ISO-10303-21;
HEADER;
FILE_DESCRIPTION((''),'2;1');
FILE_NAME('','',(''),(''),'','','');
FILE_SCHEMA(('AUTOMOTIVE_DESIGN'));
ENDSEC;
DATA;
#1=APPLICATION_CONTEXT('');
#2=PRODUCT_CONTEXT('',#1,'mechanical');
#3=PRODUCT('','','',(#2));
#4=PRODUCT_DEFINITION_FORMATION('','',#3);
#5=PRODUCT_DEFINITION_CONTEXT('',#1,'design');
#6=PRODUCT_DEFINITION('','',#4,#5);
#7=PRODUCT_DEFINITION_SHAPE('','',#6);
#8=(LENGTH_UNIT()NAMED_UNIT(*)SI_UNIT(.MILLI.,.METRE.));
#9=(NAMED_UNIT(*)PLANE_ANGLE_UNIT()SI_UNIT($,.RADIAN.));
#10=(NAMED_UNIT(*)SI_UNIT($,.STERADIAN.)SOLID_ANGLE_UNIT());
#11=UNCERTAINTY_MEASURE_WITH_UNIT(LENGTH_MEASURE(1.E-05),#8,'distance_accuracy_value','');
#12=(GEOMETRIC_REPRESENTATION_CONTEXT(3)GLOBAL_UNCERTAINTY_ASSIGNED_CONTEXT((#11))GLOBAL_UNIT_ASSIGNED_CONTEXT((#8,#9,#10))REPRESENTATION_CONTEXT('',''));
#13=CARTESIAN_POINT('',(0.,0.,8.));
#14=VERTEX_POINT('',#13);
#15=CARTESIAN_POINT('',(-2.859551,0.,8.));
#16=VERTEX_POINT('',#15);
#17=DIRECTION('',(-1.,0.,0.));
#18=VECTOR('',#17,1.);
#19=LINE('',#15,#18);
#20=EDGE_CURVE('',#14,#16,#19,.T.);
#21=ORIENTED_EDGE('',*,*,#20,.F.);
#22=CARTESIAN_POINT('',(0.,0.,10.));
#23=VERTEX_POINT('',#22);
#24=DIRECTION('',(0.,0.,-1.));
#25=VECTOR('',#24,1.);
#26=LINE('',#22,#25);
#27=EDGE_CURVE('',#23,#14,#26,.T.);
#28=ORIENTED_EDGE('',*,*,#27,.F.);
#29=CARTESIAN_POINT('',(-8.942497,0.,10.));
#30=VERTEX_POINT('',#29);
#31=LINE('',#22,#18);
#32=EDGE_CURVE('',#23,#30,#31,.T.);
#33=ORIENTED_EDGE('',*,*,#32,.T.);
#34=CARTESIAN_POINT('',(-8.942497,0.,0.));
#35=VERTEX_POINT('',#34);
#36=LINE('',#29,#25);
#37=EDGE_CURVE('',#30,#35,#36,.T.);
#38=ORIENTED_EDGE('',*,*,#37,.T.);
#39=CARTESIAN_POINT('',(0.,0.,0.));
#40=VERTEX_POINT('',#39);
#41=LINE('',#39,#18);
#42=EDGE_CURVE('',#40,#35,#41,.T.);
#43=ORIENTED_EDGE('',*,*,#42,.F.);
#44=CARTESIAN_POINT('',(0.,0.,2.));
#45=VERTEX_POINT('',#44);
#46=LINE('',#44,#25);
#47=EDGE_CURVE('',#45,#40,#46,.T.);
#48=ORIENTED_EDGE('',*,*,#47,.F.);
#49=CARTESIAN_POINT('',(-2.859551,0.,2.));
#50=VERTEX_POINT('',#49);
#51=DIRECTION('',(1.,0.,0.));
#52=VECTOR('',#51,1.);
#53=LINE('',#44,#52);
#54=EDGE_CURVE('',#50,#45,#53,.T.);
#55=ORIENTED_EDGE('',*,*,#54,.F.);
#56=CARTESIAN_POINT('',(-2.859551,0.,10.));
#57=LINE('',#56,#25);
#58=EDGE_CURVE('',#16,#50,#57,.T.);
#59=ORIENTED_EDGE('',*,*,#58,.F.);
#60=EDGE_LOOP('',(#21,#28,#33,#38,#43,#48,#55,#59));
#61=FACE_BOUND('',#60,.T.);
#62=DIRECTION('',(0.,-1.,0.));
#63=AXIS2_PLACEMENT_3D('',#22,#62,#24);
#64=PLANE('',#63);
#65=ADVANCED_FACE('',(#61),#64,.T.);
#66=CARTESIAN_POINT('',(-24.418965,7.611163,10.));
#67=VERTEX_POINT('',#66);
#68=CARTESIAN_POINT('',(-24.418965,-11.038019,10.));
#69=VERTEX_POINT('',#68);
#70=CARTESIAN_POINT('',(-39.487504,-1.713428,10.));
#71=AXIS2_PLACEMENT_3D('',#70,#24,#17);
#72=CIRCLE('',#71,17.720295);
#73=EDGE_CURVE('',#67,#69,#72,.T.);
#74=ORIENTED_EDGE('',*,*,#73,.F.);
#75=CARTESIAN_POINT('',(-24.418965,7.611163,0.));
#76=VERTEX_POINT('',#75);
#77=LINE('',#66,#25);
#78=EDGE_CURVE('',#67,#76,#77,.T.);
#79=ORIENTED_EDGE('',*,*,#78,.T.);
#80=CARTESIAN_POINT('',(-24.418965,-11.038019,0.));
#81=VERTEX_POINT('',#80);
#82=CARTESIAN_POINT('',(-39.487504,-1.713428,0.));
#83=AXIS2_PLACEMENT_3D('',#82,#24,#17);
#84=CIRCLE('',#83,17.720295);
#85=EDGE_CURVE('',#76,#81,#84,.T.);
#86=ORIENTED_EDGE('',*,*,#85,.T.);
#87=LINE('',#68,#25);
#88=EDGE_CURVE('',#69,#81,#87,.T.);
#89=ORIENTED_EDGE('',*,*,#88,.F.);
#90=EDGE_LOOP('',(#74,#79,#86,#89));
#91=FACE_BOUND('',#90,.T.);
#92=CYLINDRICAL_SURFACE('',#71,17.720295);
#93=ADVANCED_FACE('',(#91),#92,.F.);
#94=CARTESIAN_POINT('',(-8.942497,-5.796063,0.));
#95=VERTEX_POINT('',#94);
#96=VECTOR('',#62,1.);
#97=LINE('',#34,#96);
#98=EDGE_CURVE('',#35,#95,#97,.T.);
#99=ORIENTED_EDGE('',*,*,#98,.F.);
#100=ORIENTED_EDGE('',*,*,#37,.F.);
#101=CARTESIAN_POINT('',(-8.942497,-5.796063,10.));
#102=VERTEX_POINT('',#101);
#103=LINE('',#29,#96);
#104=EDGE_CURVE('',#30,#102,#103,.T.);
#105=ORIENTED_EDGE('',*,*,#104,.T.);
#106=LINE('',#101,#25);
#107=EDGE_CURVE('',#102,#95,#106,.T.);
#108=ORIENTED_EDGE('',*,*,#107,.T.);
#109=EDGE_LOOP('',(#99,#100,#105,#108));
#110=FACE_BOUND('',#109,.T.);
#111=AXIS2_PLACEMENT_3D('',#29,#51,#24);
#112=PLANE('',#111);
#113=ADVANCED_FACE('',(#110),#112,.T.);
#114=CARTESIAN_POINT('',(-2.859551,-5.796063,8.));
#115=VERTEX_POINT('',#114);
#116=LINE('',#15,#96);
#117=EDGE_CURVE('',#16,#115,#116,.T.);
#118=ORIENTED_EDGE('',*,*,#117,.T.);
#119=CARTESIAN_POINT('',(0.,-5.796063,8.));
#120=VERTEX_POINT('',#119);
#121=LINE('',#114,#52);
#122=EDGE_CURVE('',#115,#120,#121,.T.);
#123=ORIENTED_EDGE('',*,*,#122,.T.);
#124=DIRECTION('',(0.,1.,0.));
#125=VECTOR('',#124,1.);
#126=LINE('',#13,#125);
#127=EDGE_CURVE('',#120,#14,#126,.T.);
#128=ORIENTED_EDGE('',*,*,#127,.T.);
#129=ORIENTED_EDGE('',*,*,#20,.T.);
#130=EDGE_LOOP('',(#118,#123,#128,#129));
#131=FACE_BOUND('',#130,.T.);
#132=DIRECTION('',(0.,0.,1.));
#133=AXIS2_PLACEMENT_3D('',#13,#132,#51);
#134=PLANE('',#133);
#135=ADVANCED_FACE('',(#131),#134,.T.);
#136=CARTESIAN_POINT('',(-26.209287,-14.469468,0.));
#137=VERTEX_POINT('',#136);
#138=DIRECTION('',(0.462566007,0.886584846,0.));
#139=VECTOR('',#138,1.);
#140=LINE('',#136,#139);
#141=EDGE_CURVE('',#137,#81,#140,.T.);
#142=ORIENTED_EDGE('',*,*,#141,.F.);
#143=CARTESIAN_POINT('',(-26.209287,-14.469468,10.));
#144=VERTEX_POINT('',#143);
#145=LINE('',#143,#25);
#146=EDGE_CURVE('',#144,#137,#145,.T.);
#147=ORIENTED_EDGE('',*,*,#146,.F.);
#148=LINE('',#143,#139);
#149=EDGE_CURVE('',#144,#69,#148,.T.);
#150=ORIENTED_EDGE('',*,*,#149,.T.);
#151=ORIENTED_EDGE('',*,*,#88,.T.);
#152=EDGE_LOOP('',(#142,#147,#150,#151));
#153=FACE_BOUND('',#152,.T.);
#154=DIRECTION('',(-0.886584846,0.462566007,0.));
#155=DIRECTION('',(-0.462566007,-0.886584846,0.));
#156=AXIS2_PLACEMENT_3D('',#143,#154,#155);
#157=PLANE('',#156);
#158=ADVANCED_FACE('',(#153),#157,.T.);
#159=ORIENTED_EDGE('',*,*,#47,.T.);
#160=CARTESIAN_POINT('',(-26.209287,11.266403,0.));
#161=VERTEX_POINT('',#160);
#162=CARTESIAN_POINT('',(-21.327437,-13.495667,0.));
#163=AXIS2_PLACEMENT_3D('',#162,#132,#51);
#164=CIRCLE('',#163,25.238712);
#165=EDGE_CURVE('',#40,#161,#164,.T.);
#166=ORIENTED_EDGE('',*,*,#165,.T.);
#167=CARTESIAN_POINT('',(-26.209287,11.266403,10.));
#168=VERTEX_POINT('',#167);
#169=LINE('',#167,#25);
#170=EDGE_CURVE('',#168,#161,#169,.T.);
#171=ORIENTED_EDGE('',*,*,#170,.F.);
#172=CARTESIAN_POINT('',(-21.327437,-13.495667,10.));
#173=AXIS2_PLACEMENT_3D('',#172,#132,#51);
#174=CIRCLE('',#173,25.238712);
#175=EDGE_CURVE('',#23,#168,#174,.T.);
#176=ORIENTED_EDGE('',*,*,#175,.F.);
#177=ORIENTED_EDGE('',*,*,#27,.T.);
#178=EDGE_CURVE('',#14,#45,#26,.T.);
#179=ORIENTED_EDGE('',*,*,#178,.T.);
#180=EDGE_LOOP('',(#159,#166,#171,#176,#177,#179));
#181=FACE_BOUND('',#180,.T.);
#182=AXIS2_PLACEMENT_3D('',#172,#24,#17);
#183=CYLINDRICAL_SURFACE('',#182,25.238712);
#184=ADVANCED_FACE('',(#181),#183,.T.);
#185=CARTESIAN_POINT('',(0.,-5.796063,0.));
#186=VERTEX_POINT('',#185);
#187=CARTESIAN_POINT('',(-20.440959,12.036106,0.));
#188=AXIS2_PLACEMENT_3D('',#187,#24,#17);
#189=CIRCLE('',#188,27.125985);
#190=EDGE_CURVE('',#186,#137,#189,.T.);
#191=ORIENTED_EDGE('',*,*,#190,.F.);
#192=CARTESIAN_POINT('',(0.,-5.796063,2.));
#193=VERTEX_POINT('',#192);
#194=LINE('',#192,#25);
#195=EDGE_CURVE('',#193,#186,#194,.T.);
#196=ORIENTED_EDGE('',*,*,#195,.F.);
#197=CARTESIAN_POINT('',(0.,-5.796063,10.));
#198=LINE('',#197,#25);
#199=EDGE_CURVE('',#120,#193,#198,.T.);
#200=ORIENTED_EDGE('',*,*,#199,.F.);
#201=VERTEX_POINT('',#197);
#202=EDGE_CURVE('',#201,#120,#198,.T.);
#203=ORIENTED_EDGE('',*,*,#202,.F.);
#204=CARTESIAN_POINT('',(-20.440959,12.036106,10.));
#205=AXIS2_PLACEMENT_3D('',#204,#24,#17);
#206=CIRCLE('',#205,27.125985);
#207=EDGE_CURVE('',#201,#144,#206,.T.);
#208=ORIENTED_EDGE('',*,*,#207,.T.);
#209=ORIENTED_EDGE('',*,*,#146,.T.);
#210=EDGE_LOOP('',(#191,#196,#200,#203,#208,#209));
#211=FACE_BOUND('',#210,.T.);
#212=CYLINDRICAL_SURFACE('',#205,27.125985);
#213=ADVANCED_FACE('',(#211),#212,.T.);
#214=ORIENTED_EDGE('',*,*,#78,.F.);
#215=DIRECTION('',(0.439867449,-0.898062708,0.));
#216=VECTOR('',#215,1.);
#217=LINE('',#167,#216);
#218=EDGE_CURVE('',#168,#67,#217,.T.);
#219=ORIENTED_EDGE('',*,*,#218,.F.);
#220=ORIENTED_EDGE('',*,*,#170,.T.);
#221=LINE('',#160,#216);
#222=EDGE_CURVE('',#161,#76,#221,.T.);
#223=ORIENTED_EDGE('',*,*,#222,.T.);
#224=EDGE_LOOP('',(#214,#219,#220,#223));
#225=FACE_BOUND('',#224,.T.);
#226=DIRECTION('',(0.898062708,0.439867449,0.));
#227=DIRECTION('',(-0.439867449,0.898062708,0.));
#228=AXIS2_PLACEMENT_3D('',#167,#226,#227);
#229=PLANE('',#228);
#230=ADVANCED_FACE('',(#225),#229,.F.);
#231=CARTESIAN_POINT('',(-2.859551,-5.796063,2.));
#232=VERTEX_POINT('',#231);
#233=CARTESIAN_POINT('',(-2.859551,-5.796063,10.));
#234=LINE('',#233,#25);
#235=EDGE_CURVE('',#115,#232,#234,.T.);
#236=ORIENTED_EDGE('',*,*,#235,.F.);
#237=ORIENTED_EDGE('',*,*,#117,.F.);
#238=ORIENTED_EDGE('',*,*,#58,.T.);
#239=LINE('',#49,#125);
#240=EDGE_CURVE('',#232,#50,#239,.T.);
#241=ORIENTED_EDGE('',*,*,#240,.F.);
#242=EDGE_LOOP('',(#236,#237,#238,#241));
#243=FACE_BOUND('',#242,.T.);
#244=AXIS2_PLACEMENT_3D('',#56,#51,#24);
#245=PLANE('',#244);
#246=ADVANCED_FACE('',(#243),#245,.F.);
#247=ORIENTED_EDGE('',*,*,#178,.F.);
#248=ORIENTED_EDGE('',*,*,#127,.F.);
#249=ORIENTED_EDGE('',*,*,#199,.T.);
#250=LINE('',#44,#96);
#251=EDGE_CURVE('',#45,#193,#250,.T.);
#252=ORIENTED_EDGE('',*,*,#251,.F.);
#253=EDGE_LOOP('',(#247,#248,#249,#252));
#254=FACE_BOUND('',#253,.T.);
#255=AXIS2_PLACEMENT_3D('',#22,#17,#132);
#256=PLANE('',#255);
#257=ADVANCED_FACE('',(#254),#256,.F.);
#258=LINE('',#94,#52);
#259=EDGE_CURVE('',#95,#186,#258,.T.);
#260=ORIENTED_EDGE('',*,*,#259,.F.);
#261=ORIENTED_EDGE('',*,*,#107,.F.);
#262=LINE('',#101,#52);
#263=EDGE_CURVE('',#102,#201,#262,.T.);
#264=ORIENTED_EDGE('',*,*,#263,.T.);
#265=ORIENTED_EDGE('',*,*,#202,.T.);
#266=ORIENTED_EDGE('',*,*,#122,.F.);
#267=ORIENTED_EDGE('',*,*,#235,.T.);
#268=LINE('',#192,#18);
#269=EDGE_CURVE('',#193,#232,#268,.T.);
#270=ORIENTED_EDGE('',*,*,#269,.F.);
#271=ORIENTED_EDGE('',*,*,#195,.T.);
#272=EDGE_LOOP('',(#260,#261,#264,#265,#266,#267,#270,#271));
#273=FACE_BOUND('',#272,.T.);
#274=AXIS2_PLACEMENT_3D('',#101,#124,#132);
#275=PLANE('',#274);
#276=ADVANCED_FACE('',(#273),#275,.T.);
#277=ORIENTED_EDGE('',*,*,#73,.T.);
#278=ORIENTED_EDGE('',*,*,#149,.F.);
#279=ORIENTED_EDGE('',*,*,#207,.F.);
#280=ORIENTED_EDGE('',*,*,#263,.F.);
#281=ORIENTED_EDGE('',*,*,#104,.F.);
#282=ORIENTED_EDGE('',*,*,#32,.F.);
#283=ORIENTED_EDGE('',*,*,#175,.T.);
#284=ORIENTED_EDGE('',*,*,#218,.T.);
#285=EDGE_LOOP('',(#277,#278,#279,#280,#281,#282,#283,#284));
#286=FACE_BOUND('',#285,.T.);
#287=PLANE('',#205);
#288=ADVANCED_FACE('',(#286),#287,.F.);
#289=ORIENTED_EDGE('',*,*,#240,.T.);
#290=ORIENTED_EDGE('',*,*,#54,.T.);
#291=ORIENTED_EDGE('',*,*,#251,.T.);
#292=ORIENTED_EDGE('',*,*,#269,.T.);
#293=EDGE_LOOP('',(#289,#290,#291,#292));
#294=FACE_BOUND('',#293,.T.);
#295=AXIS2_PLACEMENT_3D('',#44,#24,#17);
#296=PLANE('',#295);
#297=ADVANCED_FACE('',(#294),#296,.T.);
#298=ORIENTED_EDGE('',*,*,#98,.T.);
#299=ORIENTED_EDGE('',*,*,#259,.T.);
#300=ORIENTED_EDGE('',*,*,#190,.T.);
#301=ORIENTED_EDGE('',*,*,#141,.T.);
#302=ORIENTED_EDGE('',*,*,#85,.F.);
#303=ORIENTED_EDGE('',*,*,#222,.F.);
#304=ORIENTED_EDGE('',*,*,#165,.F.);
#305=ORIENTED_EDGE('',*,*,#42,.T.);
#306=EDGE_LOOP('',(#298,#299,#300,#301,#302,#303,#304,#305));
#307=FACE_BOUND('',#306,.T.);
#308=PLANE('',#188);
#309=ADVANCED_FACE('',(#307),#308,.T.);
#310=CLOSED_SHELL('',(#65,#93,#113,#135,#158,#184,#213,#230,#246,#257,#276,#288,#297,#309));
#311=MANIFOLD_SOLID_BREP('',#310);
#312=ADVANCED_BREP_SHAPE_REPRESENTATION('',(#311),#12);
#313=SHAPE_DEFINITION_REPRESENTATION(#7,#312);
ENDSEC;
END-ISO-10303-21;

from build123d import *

# Parameters (mm, degrees)
EXTRUDE_1_DEPTH     = 10
SKETCH_2_W          = 2.859550618
SKETCH_2_H          = 5.796062829
EXTRUDE_2_DEPTH     = 10
SKETCH_11_W         = 2.859550618
SKETCH_11_H         = 5.796062829
CUT_EXTRUDE_8_DEPTH = 2
SKETCH_12_W         = 2.859550618
SKETCH_12_H         = 5.796062829
CUT_EXTRUDE_9_DEPTH = 2


with BuildPart() as part:
    # 草圖1 → 填料-伸長1 (new body)
    with BuildSketch(Plane.XY):
        with BuildLine():
            Line((0, 0), (-8.942496936, 0))
            Line((-8.942496936, 0), (-8.942496936, -5.796062829))
            Line((-8.942496936, -5.796062829), (0, -5.796062829))
            ThreePointArc((0, -5.796062829), (-11.918722494, -13.716380039), (-26.209286831, -14.469468031))
            Line((-26.209286831, -14.469468031), (-24.418965375, -11.038018573))
            ThreePointArc((-24.418965375, -11.038018573), (-21.767209123, -1.713427654), (-24.418965375, 7.611163265))
            Line((-24.418965375, 7.611163265), (-26.209286831, 11.266402905))
            ThreePointArc((-26.209286831, 11.266402905), (-11.360125695, 9.691512317), (0, 0))
        make_face()
    extrude(amount=EXTRUDE_1_DEPTH)

    # 草圖2 → 填料-伸長2 (add)
    with BuildSketch(Plane.XY):
        with Locations((-1.429775309, -2.898031415)):
            Rectangle(SKETCH_2_W, SKETCH_2_H)
    extrude(amount=EXTRUDE_2_DEPTH)

    # 草圖11 → 除料-伸長8 (cut)
    with BuildSketch(Plane.XY.offset(10)):
        with Locations((-1.429775309, -2.898031415)):
            Rectangle(SKETCH_11_W, SKETCH_11_H)
    extrude(amount=-CUT_EXTRUDE_8_DEPTH, mode=Mode.SUBTRACT)

    # 草圖12 → 除料-伸長9 (cut)
    with BuildSketch(Plane(origin=(0, 0, 0), x_dir=(-1, 0, 0), z_dir=(0, 0, -1))):
        with Locations((1.429775309, -2.898031415)):
            Rectangle(SKETCH_12_W, SKETCH_12_H)
    extrude(amount=-CUT_EXTRUDE_9_DEPTH, mode=Mode.SUBTRACT)


solid = part.part
